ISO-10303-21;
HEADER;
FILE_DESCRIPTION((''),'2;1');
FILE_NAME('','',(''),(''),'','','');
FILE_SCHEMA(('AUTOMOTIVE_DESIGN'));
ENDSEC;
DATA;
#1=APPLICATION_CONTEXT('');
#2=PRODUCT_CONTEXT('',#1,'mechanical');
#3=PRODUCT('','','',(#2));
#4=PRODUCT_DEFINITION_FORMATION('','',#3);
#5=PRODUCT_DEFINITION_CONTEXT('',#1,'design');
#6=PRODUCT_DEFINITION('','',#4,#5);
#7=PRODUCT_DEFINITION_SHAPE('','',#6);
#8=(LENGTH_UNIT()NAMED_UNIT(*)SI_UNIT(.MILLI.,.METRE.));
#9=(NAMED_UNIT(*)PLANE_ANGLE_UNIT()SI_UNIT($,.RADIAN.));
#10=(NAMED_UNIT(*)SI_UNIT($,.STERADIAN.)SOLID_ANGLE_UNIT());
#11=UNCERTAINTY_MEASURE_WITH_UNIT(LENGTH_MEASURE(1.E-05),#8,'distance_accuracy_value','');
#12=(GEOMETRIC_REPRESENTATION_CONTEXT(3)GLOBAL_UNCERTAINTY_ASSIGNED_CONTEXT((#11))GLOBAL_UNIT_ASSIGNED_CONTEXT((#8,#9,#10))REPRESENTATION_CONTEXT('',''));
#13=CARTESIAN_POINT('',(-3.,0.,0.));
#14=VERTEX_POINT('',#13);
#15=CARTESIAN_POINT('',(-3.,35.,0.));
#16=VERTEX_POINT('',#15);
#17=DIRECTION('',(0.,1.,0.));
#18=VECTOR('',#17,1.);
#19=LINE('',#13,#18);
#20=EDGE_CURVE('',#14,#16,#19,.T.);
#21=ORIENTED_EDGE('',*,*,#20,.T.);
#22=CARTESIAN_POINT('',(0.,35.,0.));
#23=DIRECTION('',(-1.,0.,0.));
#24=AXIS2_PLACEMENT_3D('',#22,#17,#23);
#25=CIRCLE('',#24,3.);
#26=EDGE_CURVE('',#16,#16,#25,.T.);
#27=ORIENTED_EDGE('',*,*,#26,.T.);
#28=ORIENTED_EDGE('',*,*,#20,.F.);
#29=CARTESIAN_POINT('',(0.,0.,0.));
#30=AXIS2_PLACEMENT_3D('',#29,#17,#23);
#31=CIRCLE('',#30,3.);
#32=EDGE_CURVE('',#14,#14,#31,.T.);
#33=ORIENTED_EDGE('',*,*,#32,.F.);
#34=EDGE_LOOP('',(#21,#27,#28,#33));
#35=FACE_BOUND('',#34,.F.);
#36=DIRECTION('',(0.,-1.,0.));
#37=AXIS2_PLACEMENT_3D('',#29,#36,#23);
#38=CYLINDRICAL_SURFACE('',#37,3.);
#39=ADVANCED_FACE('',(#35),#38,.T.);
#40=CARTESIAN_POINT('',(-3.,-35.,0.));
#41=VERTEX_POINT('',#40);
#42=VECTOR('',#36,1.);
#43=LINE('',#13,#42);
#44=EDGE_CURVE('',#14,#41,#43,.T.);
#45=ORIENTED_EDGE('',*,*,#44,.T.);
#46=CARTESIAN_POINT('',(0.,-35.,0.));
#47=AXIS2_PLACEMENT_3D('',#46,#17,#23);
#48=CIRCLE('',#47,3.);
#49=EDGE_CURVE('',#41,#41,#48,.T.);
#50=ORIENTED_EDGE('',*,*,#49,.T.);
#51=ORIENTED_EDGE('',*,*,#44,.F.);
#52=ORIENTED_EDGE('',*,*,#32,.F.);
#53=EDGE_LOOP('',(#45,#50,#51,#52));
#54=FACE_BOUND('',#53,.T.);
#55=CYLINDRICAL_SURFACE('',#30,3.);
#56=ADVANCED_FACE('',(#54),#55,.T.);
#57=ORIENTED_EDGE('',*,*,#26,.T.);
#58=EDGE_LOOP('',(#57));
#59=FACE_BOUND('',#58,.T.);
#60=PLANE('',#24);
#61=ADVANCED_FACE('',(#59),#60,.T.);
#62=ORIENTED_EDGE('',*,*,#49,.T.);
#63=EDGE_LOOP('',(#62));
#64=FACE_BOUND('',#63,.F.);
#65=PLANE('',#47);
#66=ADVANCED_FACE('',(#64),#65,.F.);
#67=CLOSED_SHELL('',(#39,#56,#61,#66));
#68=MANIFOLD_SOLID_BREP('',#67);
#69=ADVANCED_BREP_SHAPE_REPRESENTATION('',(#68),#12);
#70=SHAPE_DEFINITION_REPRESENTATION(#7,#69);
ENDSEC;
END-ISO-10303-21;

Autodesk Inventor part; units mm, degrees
ref_plane "YZ Plane" through (0, 0, 0) normal (1, 0, 0) x (0, 1, 0)
ref_plane "XZ Plane" through (0, 0, 0) normal (0, 1, 0) x (-1, 0, 0)
ref_plane "XY Plane" through (0, 0, 0) normal (0, 0, 1) x (1, 0, 0)
sketch "Sketch1" plane through (0, 0, 0) normal (0, 1, 0) x (-1, 0, 0)
  circle A0 centre (0, 0) radius 3
  dimension "d0" = 6
extrude "Extrusion1" add sketch "Sketch1" along normal mid plane 70
properties part number "06_Truc_phi_6x70" material "Stainless Steel, Austenitic"
